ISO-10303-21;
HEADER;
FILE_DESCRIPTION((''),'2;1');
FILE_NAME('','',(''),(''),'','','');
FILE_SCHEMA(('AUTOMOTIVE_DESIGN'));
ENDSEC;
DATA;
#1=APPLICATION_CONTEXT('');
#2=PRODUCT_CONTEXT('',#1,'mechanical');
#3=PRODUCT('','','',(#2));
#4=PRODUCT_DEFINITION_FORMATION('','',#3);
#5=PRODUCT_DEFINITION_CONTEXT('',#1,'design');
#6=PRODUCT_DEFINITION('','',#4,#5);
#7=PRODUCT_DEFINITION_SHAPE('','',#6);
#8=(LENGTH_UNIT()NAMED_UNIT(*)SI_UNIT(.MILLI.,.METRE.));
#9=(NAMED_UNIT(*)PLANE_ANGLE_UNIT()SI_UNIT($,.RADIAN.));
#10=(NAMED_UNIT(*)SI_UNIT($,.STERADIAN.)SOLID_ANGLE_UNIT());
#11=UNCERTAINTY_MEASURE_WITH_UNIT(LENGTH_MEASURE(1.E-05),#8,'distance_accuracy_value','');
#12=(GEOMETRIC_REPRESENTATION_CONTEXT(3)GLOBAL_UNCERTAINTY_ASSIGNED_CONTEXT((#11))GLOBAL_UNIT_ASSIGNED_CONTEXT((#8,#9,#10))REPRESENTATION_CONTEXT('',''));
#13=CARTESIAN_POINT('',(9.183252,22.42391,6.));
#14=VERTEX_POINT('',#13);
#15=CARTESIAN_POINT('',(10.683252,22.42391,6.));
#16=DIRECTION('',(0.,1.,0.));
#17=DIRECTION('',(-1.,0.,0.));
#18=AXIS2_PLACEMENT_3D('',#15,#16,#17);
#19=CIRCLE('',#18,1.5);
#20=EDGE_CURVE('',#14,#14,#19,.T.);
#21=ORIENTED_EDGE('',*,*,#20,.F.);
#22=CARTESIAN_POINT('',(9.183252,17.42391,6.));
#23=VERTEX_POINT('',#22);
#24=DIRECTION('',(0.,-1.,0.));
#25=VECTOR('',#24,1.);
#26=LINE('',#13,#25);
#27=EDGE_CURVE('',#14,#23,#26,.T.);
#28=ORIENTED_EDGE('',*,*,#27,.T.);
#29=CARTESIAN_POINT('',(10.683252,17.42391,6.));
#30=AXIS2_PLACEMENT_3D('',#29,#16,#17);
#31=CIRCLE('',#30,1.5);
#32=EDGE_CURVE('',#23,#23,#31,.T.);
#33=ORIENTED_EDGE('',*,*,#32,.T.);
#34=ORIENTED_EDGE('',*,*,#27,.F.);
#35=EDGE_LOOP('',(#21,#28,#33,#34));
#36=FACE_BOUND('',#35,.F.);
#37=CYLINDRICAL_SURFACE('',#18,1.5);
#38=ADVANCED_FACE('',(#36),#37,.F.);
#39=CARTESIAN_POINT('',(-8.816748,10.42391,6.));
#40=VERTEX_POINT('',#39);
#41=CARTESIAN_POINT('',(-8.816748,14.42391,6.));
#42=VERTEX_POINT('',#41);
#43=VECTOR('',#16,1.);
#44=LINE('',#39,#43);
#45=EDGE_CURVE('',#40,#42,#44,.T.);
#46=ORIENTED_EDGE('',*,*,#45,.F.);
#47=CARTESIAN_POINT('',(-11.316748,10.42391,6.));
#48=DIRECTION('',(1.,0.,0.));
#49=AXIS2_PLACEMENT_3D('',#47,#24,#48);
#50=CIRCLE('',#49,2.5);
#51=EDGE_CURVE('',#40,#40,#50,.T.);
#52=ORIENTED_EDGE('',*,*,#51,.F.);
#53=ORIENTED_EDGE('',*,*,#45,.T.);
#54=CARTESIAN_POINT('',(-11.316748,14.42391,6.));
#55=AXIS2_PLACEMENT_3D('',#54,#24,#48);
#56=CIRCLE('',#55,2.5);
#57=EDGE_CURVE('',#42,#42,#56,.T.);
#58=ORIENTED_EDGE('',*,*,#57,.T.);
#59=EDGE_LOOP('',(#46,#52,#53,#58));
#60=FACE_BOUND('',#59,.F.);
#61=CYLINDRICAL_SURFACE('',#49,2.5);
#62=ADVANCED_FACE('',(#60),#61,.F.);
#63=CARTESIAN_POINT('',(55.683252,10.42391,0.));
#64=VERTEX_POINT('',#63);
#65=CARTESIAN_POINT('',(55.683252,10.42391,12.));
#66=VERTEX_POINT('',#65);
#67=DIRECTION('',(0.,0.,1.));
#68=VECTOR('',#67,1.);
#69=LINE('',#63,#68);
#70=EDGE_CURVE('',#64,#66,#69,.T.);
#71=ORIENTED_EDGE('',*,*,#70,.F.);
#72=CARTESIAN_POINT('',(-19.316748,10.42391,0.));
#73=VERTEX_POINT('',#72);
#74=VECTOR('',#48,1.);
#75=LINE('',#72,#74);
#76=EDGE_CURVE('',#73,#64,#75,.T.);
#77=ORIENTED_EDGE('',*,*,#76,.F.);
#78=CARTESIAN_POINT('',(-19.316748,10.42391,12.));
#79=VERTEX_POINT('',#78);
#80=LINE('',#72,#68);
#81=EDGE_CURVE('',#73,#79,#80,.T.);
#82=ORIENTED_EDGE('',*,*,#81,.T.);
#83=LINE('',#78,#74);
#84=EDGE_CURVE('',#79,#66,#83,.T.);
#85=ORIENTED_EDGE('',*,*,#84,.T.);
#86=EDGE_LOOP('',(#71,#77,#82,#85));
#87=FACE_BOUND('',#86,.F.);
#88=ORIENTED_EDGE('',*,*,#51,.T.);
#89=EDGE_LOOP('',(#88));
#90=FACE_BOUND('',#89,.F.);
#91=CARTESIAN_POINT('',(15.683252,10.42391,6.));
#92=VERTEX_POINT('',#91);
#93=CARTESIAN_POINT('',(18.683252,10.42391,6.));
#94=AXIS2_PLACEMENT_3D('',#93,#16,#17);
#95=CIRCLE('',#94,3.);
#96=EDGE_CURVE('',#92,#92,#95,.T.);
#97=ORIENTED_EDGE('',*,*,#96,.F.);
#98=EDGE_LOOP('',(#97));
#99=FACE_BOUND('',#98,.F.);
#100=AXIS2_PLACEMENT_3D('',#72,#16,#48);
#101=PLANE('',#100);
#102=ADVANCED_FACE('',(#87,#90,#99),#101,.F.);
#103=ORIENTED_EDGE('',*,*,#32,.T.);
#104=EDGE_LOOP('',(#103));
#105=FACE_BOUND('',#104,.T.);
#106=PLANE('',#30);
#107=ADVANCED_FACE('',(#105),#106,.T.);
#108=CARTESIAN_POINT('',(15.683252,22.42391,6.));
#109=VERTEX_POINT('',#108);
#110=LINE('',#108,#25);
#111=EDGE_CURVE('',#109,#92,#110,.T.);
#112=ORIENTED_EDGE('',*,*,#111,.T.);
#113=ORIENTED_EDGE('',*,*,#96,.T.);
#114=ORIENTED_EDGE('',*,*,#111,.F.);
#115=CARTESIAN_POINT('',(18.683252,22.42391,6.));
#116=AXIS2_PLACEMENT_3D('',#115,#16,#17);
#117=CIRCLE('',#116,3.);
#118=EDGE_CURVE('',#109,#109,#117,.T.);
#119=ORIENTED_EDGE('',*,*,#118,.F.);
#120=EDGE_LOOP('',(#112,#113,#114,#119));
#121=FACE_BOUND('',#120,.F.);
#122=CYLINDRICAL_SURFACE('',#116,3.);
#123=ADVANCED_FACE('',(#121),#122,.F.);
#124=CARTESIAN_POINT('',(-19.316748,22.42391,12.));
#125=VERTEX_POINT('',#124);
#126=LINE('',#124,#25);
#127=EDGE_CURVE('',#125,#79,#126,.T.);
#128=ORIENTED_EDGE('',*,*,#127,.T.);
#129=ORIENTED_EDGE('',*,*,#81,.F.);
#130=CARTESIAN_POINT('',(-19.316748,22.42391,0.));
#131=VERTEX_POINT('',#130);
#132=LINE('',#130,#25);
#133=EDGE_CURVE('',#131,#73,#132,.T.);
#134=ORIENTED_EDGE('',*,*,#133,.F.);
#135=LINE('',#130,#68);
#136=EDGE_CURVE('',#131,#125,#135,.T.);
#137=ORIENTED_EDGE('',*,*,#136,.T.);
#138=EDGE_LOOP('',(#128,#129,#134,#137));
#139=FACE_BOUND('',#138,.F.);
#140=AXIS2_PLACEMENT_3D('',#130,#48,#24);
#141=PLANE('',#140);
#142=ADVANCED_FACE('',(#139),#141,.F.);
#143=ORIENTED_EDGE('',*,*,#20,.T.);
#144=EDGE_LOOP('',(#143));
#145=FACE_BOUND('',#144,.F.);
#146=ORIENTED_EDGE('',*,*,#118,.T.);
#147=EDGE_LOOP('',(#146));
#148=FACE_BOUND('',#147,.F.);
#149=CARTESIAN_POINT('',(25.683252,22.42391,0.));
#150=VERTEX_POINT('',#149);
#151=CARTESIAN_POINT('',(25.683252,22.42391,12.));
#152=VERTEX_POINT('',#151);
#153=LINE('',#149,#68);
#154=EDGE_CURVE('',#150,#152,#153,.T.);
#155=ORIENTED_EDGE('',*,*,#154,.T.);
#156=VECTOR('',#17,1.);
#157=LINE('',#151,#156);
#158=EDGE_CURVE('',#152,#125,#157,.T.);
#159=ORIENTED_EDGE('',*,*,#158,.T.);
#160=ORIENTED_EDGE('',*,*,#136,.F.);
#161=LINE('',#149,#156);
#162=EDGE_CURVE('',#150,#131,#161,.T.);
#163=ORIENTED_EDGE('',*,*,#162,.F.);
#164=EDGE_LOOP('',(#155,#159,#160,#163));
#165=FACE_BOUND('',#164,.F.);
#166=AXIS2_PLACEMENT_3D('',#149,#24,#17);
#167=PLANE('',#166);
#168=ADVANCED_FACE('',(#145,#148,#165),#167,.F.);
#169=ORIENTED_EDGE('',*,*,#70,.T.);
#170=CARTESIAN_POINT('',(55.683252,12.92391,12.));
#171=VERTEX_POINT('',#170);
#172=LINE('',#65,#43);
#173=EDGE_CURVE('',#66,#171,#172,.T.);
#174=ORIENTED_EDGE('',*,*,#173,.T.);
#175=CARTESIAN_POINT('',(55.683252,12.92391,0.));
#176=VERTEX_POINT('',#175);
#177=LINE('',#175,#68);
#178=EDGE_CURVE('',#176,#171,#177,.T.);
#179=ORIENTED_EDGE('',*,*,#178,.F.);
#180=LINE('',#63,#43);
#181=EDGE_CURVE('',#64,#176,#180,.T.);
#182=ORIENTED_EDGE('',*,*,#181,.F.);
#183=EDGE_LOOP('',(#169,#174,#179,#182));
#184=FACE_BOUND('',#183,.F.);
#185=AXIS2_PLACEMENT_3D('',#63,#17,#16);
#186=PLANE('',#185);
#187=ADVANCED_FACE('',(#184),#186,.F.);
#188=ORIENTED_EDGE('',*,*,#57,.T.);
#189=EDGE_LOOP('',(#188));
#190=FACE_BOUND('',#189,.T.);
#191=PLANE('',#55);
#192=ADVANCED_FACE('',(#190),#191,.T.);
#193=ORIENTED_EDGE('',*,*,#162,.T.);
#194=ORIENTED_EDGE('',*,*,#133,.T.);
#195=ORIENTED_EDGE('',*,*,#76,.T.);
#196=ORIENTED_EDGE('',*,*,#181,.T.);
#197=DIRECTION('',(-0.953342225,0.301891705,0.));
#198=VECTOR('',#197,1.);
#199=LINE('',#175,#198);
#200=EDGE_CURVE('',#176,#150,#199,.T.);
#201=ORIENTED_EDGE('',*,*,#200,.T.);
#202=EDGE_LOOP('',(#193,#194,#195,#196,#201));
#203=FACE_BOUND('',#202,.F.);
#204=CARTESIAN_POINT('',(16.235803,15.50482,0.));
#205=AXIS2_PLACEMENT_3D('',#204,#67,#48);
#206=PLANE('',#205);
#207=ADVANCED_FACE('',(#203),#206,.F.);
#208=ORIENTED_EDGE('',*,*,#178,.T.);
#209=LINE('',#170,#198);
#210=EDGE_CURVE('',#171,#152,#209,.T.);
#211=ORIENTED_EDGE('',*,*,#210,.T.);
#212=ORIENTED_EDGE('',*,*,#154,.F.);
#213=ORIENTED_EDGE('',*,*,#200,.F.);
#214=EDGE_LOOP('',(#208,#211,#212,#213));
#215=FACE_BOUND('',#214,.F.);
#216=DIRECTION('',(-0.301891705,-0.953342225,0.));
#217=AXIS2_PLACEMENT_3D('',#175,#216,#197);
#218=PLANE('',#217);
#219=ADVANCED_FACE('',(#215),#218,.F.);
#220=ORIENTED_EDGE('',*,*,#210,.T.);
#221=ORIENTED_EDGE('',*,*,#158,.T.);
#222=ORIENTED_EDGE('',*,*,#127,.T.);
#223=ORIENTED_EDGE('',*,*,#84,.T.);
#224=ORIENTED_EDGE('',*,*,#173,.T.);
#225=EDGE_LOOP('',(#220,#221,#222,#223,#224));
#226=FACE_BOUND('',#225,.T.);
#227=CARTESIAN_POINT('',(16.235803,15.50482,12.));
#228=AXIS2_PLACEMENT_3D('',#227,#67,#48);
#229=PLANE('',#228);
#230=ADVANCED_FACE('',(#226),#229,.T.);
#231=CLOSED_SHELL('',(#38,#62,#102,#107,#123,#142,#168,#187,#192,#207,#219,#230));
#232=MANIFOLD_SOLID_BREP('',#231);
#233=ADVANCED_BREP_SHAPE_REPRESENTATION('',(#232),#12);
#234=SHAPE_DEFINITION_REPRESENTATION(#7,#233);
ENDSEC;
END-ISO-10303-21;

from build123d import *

# Parameters (mm, degrees)
F1_DEPTH = 12
F2_R     = 3
F3_DEPTH = 12.001
F4_R     = 2.5
F5_DEPTH = 4
F6_R     = 1.5
F7_DEPTH = 5


with BuildPart() as f1:
    # F0 (on Top) → F1 (new body)
    with BuildSketch(Plane.XY):
        Polygon((25.683252, 22.42391), (-19.316748, 22.42391), (-19.316748, 10.42391), (55.683252, 10.42391), (55.683252, 12.92391), align=None)
    extrude(amount=F1_DEPTH)

    # F2 (on face) → F3 (cut, through all)
    with BuildSketch(Plane(origin=(0, 22.42391, 0), x_dir=(-1, 0, 0), z_dir=(0, 1, 0))):
        with Locations((-18.683252, 6)):
            Circle(F2_R)
    extrude(amount=-F3_DEPTH, mode=Mode.SUBTRACT)

    # F4 (on face) → F5 (cut)
    with BuildSketch(Plane.XZ.offset(-10.42391)):
        with Locations((-11.316748, 6)):
            Circle(F4_R)
    extrude(amount=-F5_DEPTH, mode=Mode.SUBTRACT)

    # F6 (on face) → F7 (cut)
    with BuildSketch(Plane(origin=(0, 22.42391, 0), x_dir=(-1, 0, 0), z_dir=(0, 1, 0))):
        with Locations((-10.683252, 6)):
            Circle(F6_R)
    extrude(amount=-F7_DEPTH, mode=Mode.SUBTRACT)


solid = f1.part
